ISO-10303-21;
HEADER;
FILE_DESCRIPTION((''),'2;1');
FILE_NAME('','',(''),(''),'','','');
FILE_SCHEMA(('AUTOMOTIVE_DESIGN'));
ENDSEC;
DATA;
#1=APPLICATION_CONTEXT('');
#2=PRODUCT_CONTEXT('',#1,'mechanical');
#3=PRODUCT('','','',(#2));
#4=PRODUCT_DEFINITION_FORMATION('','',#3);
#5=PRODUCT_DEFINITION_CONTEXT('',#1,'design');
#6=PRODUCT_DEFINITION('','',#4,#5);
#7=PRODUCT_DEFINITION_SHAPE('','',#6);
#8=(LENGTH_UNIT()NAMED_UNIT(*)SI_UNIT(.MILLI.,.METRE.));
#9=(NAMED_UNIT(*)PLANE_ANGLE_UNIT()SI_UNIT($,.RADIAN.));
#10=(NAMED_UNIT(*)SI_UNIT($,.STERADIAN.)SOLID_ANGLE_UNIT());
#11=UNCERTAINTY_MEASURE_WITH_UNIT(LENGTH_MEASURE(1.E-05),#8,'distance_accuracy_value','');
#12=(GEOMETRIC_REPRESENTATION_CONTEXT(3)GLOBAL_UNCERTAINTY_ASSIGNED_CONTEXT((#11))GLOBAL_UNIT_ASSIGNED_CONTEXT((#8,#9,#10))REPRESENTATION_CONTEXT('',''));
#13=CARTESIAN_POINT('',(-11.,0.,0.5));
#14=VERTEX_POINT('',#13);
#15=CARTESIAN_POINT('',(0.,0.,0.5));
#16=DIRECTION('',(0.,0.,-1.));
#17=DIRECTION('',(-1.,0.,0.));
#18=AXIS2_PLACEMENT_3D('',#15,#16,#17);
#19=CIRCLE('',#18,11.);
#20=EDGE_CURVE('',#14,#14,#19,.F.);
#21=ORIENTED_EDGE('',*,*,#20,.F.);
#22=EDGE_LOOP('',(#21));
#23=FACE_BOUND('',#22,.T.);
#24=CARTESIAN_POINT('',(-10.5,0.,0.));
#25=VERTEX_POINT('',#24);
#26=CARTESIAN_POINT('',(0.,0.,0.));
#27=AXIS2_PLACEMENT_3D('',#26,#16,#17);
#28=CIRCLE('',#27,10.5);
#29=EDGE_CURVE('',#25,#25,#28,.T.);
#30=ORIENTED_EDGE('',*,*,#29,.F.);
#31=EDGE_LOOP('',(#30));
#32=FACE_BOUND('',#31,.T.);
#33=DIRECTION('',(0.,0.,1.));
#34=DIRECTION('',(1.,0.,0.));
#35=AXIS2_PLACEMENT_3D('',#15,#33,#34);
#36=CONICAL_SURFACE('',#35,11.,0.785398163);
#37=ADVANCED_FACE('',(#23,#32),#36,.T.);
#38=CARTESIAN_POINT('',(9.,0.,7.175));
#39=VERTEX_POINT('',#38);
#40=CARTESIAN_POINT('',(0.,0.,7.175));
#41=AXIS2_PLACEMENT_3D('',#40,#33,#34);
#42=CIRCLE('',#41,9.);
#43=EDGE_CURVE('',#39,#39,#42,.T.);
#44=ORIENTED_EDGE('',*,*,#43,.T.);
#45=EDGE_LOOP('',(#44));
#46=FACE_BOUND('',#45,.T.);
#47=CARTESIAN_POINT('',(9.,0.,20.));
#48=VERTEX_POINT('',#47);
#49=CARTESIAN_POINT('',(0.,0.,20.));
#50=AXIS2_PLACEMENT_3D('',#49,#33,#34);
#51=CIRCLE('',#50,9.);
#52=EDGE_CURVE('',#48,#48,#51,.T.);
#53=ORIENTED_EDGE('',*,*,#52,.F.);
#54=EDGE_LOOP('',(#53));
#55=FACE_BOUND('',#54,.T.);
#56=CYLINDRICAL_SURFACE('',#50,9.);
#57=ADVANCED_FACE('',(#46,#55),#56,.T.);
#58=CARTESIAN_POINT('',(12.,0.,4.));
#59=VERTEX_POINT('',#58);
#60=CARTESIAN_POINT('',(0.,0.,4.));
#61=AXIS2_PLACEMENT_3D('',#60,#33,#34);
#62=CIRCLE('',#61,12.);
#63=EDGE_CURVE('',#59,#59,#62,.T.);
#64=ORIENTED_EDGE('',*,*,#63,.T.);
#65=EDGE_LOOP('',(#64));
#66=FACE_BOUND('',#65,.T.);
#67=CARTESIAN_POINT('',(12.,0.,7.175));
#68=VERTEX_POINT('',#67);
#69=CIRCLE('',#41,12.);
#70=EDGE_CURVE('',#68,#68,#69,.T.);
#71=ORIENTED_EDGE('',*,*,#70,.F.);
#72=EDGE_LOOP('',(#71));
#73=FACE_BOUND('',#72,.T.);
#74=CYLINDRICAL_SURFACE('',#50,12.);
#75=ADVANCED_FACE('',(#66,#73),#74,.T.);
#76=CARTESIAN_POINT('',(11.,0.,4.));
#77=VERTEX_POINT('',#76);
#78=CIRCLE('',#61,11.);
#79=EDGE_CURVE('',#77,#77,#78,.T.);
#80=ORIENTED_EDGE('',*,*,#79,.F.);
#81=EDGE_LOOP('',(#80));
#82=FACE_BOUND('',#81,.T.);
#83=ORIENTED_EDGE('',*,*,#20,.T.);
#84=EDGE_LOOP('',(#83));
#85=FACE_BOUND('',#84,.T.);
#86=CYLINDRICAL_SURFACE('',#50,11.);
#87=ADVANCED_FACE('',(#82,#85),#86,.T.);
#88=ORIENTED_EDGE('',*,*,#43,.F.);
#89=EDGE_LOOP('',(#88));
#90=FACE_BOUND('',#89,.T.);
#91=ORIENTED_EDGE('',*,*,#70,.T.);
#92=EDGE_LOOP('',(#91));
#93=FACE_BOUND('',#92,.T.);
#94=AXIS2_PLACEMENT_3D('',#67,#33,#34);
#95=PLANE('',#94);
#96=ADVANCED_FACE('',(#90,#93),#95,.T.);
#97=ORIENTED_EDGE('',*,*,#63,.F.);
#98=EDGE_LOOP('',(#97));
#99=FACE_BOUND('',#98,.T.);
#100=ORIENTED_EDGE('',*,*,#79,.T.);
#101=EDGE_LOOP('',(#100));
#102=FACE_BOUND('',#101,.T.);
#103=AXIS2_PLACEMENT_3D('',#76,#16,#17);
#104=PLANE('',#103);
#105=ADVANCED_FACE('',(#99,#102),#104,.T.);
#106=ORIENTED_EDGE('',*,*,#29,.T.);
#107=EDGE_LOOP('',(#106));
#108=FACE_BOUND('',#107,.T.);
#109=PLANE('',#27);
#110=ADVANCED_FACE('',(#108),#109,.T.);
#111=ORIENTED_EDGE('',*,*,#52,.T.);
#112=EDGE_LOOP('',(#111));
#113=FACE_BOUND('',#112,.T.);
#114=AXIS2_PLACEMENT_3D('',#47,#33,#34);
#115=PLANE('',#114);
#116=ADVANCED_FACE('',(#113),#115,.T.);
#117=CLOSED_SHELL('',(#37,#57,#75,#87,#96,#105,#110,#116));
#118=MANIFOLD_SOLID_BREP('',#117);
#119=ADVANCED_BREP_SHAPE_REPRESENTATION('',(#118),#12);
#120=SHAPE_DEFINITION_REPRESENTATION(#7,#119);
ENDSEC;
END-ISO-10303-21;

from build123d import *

# Parameters (mm, degrees)
CHAMFER1_SIZE = 0.5


with BuildPart() as part:
    # Sketch1 → Revolve1 (revolve)
    with BuildSketch(Plane(origin=(0, 0, 0), x_dir=(1, 0, 0), z_dir=(0, 1, 0))):
        Polygon((9, -20), (0, -20), (0, 0), (11, 0), (11, -4), (12, -4), (12, -7.175), (9, -7.175), align=None)
    revolve(axis=Axis((0, 0, 20), (0, 0, -1)))

    # Chamfer1
    chamfer1_edges = [part.edges().sort_by_distance(p)[0] for p in [
        (-11, 0, 0),
    ]]
    chamfer(chamfer1_edges, length=CHAMFER1_SIZE)


solid = part.part
